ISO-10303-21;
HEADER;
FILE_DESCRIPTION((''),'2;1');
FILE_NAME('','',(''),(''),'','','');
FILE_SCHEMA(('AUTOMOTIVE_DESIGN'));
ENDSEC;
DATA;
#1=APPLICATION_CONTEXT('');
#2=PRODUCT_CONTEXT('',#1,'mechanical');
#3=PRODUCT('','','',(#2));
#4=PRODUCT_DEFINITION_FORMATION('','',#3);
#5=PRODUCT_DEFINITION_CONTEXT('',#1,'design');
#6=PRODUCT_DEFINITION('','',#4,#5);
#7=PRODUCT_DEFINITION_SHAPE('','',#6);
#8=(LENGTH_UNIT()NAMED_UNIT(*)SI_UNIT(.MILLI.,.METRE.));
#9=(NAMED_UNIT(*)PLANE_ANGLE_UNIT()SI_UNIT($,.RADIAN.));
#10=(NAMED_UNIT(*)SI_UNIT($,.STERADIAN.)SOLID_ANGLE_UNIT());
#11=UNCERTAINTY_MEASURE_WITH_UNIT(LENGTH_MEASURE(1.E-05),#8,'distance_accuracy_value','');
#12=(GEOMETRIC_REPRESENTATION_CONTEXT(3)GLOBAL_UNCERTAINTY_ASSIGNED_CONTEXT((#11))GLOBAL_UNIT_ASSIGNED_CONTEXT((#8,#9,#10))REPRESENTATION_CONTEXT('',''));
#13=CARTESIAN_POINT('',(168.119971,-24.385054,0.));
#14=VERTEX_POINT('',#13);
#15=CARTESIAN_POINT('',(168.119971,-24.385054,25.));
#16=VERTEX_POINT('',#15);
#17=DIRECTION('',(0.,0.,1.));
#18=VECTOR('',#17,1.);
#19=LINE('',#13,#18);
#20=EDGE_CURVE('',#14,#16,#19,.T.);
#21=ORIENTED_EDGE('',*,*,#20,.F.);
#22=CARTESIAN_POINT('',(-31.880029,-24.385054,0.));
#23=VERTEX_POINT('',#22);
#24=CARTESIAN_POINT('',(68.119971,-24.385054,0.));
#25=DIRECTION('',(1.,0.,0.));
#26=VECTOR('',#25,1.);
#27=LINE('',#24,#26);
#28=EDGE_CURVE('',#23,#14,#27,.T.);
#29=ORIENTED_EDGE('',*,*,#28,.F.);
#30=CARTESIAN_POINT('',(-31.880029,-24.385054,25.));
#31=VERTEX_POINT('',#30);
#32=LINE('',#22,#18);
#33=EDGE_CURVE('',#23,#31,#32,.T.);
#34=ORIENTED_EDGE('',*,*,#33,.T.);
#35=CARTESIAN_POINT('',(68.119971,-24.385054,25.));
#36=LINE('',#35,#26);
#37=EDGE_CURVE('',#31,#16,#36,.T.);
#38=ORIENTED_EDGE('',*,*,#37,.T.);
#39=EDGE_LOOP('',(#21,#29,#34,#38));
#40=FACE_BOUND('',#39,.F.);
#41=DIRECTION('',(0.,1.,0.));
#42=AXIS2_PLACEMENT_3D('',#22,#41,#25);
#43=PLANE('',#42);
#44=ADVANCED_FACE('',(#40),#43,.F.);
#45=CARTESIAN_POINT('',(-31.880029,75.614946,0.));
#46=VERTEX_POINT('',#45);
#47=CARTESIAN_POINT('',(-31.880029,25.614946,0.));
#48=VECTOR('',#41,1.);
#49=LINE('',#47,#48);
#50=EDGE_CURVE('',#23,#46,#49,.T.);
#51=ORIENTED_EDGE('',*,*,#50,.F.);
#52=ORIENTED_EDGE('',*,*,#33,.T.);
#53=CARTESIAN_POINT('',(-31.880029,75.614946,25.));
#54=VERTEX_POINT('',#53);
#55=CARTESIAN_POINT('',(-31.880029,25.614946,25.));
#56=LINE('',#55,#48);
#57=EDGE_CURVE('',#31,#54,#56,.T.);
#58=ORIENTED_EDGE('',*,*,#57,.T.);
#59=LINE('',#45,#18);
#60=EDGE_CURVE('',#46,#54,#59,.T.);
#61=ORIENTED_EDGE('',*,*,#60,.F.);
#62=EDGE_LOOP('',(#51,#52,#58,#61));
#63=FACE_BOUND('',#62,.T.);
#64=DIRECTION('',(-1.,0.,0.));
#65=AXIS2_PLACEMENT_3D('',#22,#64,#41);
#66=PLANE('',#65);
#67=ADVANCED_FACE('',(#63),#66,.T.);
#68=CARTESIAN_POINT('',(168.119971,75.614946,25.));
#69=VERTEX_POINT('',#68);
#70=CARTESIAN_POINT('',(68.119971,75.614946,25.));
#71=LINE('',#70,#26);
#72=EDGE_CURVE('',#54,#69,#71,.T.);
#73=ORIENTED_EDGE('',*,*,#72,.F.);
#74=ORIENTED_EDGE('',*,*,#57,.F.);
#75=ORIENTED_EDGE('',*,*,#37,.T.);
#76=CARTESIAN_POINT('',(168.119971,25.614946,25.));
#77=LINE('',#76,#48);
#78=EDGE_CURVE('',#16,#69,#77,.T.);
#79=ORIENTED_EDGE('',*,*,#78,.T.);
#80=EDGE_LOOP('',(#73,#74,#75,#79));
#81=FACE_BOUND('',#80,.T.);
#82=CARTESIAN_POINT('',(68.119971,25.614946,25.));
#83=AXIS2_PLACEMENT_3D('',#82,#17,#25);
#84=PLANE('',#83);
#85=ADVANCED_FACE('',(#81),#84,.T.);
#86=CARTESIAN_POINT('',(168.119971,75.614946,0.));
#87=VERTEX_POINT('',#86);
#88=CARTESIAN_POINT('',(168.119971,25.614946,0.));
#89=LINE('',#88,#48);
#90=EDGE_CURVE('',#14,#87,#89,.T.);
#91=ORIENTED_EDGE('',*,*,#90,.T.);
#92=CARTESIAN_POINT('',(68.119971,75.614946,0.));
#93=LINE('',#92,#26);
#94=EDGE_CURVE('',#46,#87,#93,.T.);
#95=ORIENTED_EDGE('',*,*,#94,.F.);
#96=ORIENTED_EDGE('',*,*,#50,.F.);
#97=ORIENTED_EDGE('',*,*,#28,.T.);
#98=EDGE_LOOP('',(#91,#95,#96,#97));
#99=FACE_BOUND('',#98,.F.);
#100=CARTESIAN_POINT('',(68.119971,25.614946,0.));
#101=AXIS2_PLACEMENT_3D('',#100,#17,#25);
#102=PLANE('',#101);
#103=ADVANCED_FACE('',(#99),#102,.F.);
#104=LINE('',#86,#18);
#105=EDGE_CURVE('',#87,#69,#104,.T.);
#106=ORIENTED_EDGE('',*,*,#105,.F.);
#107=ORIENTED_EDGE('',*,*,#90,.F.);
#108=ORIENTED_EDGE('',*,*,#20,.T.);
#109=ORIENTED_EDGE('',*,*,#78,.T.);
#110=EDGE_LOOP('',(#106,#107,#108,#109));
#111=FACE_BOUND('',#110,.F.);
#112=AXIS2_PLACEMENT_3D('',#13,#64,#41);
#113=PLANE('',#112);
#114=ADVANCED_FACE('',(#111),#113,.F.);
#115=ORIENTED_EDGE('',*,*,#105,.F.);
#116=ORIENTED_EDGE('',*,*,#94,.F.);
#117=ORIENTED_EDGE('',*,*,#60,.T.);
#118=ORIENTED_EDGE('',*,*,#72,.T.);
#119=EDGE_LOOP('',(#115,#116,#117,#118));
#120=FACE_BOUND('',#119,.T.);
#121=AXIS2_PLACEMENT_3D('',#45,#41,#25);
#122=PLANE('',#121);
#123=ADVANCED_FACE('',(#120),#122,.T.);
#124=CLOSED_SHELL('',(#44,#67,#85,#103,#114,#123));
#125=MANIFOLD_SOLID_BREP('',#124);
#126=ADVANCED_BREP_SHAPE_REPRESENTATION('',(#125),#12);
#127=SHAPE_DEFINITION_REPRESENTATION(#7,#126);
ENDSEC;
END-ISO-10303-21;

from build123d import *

# Parameters (mm, degrees)
F0_W     = 200
F0_H     = 100
F1_DEPTH = 25
F2_DEPTH = 25
F3_DEPTH = 25


with BuildPart() as f1:
    # F0 (on Top) → F1 (new body)
    with BuildSketch(Plane.XY):
        with Locations((68.119971, 25.614946)):
            Rectangle(F0_W, F0_H)
    extrude(amount=F1_DEPTH)

    # F0 (on Top) → F2 (join)
    with BuildSketch(Plane.XY):
        with Locations((68.119971, 25.614946)):
            Rectangle(F0_W, F0_H)
    extrude(amount=F2_DEPTH)

    # F0 (on Top) → F3 (join)
    with BuildSketch(Plane.XY):
        with Locations((68.119971, 25.614946)):
            Rectangle(F0_W, F0_H)
    extrude(amount=F3_DEPTH)


solid = f1.part
